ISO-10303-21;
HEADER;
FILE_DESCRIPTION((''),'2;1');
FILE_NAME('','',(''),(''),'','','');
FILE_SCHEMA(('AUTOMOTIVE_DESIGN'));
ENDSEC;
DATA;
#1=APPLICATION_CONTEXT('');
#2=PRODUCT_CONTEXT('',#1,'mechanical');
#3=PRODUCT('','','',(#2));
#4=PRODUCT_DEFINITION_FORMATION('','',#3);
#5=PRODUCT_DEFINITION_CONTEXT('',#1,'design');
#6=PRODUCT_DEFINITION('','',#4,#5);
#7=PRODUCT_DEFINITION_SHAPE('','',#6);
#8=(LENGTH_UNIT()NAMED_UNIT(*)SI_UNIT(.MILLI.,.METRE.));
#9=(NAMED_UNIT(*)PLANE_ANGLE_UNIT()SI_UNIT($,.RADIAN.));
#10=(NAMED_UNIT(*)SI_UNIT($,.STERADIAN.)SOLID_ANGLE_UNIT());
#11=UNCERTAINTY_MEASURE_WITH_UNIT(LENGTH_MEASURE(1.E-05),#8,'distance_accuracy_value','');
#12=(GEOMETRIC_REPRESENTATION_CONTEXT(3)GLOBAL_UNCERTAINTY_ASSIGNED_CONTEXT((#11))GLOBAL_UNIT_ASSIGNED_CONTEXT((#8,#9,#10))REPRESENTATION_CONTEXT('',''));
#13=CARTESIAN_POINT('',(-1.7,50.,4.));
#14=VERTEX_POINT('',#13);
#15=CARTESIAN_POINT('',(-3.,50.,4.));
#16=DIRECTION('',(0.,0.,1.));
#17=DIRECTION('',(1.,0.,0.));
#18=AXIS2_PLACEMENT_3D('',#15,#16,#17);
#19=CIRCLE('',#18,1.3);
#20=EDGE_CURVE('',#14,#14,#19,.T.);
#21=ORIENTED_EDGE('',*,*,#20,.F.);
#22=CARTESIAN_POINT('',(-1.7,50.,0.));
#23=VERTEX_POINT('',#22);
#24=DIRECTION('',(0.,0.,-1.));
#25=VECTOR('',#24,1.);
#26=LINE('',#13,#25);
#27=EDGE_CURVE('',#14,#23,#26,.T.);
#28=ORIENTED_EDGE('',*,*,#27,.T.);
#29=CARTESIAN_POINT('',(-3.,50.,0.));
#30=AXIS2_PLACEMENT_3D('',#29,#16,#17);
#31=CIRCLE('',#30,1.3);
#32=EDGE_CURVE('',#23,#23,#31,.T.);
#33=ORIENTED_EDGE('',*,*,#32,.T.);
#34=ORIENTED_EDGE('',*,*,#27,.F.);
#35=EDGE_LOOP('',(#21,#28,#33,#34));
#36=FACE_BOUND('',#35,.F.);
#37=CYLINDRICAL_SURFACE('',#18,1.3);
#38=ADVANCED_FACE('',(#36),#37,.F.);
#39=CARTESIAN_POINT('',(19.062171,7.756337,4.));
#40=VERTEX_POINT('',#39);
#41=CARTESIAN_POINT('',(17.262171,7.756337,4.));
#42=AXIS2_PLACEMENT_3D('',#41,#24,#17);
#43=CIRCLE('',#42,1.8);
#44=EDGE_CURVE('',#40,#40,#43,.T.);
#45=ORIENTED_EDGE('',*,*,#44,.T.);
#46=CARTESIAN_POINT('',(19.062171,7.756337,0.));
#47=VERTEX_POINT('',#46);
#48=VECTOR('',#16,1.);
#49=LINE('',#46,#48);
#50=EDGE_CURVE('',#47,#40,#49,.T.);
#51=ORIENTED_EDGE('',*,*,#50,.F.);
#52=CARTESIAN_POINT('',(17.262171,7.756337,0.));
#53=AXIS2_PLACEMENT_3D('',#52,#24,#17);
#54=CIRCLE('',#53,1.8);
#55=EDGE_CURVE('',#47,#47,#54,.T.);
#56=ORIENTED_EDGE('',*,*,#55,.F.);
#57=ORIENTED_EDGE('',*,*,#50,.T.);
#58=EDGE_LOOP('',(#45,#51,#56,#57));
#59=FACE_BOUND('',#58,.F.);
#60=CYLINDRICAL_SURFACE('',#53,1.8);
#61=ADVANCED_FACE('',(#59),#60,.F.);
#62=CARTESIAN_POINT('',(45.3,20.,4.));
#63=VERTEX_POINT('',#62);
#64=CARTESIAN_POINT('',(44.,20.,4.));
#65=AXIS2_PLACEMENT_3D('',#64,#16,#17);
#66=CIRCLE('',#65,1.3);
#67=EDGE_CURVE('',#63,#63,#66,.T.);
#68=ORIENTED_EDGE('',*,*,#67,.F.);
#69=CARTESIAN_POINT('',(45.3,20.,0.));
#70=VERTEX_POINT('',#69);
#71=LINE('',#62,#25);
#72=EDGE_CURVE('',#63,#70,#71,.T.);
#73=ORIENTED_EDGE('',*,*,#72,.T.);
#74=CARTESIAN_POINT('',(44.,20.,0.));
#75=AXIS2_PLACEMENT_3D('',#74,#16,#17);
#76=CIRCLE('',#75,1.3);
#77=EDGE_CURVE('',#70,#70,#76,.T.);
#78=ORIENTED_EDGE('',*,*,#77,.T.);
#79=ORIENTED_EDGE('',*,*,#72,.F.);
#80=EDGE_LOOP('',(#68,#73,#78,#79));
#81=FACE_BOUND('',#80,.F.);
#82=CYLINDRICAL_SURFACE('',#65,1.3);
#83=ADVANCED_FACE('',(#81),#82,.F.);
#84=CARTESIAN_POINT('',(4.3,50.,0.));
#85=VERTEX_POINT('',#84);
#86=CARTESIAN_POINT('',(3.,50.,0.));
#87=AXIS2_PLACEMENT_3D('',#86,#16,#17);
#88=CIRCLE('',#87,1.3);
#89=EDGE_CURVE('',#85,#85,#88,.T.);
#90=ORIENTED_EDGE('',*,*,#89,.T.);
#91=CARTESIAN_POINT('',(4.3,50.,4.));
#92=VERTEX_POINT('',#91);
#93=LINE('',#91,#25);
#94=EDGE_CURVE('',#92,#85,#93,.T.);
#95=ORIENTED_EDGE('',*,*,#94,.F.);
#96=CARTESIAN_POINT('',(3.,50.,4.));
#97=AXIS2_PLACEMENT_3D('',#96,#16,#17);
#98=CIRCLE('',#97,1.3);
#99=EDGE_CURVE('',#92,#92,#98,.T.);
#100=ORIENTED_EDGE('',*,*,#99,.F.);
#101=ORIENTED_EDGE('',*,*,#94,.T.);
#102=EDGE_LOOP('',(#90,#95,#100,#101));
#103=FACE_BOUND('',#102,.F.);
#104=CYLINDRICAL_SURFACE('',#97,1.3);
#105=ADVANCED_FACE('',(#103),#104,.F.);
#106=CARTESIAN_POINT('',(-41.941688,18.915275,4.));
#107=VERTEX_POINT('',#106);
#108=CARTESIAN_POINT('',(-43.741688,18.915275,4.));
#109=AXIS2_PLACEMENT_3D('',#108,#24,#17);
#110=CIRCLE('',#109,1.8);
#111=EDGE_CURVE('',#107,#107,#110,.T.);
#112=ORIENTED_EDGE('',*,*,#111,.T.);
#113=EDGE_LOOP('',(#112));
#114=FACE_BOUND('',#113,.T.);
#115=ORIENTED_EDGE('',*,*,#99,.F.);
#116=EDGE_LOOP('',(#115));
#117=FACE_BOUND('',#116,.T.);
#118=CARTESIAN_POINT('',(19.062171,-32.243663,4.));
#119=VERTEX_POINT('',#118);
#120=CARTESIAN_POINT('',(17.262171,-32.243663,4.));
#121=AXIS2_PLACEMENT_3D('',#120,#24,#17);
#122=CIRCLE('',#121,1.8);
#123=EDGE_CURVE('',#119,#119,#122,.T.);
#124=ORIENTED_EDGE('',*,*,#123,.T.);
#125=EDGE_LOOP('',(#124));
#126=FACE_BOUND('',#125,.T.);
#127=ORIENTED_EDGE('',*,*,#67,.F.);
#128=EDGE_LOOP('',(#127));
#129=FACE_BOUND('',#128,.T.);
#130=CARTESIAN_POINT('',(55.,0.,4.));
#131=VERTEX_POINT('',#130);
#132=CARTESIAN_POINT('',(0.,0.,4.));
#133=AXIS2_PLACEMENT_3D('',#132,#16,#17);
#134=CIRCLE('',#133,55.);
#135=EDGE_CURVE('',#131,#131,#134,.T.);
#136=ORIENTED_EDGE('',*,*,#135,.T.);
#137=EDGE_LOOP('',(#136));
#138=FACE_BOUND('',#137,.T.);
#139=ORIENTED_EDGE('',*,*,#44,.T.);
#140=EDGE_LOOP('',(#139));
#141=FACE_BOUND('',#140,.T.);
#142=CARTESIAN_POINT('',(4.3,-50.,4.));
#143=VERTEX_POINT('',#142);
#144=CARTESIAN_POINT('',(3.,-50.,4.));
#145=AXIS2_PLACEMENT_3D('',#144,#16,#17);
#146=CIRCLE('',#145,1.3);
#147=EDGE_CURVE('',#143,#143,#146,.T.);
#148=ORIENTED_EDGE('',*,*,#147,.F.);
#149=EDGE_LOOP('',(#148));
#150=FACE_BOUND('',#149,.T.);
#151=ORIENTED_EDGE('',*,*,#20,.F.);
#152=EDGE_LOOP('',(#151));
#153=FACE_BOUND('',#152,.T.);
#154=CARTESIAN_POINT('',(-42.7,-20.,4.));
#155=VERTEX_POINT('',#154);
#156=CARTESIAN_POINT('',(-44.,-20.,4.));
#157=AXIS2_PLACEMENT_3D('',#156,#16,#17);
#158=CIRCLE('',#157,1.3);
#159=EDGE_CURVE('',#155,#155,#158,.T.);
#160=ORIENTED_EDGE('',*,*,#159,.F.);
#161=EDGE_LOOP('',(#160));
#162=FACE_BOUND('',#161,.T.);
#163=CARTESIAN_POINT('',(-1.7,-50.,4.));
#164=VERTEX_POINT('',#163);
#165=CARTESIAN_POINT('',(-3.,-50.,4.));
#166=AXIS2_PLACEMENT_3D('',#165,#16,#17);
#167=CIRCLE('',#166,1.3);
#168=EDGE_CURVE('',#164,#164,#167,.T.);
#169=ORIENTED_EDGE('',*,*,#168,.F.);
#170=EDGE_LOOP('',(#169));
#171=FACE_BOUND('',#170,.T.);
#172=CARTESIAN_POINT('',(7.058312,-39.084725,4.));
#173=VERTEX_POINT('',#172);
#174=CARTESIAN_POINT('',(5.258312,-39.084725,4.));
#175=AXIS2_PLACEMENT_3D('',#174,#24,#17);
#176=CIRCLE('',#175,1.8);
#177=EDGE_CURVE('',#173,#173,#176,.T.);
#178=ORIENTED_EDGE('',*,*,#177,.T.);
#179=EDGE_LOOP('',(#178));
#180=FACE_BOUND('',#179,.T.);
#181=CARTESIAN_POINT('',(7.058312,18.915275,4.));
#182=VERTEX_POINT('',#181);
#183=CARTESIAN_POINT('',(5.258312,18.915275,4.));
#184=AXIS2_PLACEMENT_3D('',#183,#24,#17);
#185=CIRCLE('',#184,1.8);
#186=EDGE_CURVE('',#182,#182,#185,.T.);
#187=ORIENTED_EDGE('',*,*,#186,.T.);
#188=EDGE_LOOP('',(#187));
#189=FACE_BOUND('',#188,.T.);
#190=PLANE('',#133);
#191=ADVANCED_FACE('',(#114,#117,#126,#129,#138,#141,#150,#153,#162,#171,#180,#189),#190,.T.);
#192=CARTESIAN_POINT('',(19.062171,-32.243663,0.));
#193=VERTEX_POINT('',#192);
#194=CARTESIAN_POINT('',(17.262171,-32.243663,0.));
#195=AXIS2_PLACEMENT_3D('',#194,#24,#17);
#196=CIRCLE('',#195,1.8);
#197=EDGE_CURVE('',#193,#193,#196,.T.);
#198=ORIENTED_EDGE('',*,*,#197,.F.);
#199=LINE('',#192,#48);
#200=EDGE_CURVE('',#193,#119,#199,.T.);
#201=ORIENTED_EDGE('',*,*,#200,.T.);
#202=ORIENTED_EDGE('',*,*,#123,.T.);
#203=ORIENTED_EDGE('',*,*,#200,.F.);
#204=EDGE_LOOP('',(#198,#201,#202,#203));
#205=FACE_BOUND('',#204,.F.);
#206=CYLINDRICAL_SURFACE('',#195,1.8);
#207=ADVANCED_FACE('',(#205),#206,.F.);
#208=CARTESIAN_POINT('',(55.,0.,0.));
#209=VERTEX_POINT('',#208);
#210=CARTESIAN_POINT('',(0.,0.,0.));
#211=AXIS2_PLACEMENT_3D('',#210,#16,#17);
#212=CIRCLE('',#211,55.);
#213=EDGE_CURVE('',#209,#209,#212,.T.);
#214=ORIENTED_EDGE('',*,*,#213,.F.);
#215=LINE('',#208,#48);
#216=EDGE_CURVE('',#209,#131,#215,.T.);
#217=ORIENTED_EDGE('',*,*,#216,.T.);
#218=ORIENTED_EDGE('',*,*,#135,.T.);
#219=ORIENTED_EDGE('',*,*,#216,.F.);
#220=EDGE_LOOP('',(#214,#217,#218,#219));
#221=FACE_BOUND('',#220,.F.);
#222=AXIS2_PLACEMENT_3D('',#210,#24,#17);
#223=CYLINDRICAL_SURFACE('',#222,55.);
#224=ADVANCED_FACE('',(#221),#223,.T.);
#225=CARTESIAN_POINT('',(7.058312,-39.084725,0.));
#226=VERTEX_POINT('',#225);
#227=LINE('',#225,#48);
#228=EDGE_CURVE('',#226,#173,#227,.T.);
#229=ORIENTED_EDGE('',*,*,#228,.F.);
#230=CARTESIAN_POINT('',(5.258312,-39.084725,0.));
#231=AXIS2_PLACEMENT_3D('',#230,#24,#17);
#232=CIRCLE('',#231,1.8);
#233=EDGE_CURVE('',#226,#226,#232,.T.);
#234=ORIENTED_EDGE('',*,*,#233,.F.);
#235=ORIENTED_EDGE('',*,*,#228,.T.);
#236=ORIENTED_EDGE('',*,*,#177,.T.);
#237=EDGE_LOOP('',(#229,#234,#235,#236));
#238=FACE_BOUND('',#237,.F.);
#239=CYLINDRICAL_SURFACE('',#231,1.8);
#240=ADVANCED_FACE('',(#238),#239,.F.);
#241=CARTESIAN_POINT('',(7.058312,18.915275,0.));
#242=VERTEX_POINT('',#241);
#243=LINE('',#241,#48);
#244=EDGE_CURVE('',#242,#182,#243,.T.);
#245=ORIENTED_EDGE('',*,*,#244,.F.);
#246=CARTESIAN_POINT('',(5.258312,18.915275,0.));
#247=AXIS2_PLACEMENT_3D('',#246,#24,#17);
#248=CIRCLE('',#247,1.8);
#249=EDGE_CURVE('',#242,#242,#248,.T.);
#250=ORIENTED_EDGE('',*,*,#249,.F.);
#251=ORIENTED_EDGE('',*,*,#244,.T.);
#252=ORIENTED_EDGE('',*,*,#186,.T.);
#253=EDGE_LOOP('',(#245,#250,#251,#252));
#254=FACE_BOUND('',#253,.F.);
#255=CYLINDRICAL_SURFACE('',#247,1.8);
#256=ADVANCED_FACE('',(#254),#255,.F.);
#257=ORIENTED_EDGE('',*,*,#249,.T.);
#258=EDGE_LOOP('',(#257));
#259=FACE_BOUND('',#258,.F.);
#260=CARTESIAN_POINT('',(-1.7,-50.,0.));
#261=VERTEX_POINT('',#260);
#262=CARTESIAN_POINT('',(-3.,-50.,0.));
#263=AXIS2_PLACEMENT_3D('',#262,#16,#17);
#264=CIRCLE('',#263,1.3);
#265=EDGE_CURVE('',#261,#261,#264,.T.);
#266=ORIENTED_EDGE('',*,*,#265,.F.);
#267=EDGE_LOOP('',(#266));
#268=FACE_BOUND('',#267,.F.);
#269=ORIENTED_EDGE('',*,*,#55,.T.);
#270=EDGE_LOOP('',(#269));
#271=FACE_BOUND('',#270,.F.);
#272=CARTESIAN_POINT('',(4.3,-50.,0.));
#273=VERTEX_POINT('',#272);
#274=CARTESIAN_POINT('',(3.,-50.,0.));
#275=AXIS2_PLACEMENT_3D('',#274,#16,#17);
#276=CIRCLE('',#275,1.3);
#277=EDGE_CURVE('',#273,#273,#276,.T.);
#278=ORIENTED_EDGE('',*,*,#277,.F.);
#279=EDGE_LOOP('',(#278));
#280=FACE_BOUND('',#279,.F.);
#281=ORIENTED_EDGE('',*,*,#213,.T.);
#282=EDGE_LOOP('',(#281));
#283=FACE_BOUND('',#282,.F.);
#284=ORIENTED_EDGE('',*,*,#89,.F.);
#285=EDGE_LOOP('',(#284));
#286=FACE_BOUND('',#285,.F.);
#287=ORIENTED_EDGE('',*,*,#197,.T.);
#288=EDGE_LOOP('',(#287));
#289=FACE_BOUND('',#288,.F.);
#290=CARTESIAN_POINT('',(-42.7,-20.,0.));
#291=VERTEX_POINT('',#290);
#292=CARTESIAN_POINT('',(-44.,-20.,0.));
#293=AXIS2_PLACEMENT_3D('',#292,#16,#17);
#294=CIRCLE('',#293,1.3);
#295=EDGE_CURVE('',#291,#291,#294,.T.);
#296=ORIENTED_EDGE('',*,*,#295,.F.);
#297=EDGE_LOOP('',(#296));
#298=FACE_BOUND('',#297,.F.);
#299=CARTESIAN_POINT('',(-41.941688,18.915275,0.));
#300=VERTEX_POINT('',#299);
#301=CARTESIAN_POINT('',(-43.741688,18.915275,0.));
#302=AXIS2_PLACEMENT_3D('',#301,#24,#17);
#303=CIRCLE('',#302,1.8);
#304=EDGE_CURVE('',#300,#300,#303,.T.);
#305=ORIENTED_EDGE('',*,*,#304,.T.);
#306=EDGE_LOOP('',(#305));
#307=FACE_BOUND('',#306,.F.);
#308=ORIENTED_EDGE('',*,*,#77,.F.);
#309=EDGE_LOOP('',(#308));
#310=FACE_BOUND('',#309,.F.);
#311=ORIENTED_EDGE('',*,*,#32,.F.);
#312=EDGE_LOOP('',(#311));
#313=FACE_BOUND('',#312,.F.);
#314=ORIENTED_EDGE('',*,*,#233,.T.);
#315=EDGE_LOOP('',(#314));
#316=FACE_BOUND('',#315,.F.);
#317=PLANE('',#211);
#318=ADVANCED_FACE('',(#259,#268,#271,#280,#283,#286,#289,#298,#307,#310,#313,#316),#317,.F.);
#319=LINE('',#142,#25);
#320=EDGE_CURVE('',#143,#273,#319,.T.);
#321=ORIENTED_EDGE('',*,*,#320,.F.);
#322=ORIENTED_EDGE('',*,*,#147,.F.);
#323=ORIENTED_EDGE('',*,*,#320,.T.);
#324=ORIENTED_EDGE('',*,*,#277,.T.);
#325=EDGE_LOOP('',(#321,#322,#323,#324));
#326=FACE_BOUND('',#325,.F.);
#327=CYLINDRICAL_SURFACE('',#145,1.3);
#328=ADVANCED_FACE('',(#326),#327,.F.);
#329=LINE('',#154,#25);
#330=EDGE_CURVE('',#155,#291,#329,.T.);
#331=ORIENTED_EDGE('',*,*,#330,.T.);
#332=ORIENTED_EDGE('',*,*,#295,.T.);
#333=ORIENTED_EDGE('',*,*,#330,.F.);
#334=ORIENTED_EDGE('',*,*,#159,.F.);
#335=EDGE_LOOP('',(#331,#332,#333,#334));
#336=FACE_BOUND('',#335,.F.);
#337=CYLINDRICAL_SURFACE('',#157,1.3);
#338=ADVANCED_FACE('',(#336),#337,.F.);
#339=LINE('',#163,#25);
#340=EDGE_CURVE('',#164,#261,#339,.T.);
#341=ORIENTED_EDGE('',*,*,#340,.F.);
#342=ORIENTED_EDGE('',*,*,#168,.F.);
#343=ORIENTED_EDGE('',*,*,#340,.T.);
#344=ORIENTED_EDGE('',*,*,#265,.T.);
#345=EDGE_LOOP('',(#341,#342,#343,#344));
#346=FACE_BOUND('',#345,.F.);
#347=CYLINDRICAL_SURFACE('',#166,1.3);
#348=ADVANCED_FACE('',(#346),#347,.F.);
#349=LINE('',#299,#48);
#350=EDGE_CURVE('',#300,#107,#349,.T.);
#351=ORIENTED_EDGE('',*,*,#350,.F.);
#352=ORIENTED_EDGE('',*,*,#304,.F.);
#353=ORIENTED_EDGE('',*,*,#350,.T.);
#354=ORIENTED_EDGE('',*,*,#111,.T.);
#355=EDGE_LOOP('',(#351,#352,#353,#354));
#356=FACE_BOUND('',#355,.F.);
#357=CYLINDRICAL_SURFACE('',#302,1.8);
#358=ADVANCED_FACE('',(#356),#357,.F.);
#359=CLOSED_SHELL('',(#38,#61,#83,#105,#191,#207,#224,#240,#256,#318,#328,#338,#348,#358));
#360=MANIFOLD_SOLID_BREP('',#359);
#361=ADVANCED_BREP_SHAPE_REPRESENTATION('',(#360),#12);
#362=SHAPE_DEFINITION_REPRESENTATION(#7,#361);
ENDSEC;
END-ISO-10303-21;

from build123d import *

# Parameters (mm, degrees)
SKETCH_R        = 55
PAD_DEPTH       = 4
SKETCH003_R     = 1.3
POCKET001_DEPTH = 5
SKETCH004_R     = 1.3
POCKET_DEPTH    = 5
SKETCH005_R     = 1.8
POCKET002_DEPTH = 5


with BuildPart() as part:
    # Sketch → Pad (new body)
    with BuildSketch(Plane.XY):
        Circle(SKETCH_R)
    extrude(amount=PAD_DEPTH)

    # Sketch003 → Pocket001 (cut)
    with BuildSketch(Plane.XY.offset(4)):
        with Locations((-44, -20)):
            Circle(SKETCH003_R)
        with Locations((44, 20)):
            Circle(SKETCH003_R)
    extrude(amount=-POCKET001_DEPTH, mode=Mode.SUBTRACT)

    # Sketch004 (on Face3 of Pocket001) → Pocket (cut)
    with BuildSketch(Plane.XY.offset(4)):
        with Locations((3, -50)):
            Circle(SKETCH004_R)
        with Locations((-3, -50)):
            Circle(SKETCH004_R)
        with Locations((-3, 50)):
            Circle(SKETCH004_R)
        with Locations((3, 50)):
            Circle(SKETCH004_R)
    extrude(amount=-POCKET_DEPTH, mode=Mode.SUBTRACT)

    # Sketch005 (on Face2 of Pocket) → Pocket002 (cut)
    with BuildSketch(Plane(origin=(0, 0, 0), x_dir=(1, 0, 0), z_dir=(0, 0, -1))):
        with Locations((17.262171, 32.243663)):
            Circle(SKETCH005_R)
        with Locations((17.262171, -7.756337)):
            Circle(SKETCH005_R)
        with Locations((5.258312, 39.084725)):
            Circle(SKETCH005_R)
        with Locations((-43.741688, -18.915275)):
            Circle(SKETCH005_R)
        with Locations((5.258312, -18.915275)):
            Circle(SKETCH005_R)
    extrude(amount=-POCKET002_DEPTH, mode=Mode.SUBTRACT)


solid = part.part
